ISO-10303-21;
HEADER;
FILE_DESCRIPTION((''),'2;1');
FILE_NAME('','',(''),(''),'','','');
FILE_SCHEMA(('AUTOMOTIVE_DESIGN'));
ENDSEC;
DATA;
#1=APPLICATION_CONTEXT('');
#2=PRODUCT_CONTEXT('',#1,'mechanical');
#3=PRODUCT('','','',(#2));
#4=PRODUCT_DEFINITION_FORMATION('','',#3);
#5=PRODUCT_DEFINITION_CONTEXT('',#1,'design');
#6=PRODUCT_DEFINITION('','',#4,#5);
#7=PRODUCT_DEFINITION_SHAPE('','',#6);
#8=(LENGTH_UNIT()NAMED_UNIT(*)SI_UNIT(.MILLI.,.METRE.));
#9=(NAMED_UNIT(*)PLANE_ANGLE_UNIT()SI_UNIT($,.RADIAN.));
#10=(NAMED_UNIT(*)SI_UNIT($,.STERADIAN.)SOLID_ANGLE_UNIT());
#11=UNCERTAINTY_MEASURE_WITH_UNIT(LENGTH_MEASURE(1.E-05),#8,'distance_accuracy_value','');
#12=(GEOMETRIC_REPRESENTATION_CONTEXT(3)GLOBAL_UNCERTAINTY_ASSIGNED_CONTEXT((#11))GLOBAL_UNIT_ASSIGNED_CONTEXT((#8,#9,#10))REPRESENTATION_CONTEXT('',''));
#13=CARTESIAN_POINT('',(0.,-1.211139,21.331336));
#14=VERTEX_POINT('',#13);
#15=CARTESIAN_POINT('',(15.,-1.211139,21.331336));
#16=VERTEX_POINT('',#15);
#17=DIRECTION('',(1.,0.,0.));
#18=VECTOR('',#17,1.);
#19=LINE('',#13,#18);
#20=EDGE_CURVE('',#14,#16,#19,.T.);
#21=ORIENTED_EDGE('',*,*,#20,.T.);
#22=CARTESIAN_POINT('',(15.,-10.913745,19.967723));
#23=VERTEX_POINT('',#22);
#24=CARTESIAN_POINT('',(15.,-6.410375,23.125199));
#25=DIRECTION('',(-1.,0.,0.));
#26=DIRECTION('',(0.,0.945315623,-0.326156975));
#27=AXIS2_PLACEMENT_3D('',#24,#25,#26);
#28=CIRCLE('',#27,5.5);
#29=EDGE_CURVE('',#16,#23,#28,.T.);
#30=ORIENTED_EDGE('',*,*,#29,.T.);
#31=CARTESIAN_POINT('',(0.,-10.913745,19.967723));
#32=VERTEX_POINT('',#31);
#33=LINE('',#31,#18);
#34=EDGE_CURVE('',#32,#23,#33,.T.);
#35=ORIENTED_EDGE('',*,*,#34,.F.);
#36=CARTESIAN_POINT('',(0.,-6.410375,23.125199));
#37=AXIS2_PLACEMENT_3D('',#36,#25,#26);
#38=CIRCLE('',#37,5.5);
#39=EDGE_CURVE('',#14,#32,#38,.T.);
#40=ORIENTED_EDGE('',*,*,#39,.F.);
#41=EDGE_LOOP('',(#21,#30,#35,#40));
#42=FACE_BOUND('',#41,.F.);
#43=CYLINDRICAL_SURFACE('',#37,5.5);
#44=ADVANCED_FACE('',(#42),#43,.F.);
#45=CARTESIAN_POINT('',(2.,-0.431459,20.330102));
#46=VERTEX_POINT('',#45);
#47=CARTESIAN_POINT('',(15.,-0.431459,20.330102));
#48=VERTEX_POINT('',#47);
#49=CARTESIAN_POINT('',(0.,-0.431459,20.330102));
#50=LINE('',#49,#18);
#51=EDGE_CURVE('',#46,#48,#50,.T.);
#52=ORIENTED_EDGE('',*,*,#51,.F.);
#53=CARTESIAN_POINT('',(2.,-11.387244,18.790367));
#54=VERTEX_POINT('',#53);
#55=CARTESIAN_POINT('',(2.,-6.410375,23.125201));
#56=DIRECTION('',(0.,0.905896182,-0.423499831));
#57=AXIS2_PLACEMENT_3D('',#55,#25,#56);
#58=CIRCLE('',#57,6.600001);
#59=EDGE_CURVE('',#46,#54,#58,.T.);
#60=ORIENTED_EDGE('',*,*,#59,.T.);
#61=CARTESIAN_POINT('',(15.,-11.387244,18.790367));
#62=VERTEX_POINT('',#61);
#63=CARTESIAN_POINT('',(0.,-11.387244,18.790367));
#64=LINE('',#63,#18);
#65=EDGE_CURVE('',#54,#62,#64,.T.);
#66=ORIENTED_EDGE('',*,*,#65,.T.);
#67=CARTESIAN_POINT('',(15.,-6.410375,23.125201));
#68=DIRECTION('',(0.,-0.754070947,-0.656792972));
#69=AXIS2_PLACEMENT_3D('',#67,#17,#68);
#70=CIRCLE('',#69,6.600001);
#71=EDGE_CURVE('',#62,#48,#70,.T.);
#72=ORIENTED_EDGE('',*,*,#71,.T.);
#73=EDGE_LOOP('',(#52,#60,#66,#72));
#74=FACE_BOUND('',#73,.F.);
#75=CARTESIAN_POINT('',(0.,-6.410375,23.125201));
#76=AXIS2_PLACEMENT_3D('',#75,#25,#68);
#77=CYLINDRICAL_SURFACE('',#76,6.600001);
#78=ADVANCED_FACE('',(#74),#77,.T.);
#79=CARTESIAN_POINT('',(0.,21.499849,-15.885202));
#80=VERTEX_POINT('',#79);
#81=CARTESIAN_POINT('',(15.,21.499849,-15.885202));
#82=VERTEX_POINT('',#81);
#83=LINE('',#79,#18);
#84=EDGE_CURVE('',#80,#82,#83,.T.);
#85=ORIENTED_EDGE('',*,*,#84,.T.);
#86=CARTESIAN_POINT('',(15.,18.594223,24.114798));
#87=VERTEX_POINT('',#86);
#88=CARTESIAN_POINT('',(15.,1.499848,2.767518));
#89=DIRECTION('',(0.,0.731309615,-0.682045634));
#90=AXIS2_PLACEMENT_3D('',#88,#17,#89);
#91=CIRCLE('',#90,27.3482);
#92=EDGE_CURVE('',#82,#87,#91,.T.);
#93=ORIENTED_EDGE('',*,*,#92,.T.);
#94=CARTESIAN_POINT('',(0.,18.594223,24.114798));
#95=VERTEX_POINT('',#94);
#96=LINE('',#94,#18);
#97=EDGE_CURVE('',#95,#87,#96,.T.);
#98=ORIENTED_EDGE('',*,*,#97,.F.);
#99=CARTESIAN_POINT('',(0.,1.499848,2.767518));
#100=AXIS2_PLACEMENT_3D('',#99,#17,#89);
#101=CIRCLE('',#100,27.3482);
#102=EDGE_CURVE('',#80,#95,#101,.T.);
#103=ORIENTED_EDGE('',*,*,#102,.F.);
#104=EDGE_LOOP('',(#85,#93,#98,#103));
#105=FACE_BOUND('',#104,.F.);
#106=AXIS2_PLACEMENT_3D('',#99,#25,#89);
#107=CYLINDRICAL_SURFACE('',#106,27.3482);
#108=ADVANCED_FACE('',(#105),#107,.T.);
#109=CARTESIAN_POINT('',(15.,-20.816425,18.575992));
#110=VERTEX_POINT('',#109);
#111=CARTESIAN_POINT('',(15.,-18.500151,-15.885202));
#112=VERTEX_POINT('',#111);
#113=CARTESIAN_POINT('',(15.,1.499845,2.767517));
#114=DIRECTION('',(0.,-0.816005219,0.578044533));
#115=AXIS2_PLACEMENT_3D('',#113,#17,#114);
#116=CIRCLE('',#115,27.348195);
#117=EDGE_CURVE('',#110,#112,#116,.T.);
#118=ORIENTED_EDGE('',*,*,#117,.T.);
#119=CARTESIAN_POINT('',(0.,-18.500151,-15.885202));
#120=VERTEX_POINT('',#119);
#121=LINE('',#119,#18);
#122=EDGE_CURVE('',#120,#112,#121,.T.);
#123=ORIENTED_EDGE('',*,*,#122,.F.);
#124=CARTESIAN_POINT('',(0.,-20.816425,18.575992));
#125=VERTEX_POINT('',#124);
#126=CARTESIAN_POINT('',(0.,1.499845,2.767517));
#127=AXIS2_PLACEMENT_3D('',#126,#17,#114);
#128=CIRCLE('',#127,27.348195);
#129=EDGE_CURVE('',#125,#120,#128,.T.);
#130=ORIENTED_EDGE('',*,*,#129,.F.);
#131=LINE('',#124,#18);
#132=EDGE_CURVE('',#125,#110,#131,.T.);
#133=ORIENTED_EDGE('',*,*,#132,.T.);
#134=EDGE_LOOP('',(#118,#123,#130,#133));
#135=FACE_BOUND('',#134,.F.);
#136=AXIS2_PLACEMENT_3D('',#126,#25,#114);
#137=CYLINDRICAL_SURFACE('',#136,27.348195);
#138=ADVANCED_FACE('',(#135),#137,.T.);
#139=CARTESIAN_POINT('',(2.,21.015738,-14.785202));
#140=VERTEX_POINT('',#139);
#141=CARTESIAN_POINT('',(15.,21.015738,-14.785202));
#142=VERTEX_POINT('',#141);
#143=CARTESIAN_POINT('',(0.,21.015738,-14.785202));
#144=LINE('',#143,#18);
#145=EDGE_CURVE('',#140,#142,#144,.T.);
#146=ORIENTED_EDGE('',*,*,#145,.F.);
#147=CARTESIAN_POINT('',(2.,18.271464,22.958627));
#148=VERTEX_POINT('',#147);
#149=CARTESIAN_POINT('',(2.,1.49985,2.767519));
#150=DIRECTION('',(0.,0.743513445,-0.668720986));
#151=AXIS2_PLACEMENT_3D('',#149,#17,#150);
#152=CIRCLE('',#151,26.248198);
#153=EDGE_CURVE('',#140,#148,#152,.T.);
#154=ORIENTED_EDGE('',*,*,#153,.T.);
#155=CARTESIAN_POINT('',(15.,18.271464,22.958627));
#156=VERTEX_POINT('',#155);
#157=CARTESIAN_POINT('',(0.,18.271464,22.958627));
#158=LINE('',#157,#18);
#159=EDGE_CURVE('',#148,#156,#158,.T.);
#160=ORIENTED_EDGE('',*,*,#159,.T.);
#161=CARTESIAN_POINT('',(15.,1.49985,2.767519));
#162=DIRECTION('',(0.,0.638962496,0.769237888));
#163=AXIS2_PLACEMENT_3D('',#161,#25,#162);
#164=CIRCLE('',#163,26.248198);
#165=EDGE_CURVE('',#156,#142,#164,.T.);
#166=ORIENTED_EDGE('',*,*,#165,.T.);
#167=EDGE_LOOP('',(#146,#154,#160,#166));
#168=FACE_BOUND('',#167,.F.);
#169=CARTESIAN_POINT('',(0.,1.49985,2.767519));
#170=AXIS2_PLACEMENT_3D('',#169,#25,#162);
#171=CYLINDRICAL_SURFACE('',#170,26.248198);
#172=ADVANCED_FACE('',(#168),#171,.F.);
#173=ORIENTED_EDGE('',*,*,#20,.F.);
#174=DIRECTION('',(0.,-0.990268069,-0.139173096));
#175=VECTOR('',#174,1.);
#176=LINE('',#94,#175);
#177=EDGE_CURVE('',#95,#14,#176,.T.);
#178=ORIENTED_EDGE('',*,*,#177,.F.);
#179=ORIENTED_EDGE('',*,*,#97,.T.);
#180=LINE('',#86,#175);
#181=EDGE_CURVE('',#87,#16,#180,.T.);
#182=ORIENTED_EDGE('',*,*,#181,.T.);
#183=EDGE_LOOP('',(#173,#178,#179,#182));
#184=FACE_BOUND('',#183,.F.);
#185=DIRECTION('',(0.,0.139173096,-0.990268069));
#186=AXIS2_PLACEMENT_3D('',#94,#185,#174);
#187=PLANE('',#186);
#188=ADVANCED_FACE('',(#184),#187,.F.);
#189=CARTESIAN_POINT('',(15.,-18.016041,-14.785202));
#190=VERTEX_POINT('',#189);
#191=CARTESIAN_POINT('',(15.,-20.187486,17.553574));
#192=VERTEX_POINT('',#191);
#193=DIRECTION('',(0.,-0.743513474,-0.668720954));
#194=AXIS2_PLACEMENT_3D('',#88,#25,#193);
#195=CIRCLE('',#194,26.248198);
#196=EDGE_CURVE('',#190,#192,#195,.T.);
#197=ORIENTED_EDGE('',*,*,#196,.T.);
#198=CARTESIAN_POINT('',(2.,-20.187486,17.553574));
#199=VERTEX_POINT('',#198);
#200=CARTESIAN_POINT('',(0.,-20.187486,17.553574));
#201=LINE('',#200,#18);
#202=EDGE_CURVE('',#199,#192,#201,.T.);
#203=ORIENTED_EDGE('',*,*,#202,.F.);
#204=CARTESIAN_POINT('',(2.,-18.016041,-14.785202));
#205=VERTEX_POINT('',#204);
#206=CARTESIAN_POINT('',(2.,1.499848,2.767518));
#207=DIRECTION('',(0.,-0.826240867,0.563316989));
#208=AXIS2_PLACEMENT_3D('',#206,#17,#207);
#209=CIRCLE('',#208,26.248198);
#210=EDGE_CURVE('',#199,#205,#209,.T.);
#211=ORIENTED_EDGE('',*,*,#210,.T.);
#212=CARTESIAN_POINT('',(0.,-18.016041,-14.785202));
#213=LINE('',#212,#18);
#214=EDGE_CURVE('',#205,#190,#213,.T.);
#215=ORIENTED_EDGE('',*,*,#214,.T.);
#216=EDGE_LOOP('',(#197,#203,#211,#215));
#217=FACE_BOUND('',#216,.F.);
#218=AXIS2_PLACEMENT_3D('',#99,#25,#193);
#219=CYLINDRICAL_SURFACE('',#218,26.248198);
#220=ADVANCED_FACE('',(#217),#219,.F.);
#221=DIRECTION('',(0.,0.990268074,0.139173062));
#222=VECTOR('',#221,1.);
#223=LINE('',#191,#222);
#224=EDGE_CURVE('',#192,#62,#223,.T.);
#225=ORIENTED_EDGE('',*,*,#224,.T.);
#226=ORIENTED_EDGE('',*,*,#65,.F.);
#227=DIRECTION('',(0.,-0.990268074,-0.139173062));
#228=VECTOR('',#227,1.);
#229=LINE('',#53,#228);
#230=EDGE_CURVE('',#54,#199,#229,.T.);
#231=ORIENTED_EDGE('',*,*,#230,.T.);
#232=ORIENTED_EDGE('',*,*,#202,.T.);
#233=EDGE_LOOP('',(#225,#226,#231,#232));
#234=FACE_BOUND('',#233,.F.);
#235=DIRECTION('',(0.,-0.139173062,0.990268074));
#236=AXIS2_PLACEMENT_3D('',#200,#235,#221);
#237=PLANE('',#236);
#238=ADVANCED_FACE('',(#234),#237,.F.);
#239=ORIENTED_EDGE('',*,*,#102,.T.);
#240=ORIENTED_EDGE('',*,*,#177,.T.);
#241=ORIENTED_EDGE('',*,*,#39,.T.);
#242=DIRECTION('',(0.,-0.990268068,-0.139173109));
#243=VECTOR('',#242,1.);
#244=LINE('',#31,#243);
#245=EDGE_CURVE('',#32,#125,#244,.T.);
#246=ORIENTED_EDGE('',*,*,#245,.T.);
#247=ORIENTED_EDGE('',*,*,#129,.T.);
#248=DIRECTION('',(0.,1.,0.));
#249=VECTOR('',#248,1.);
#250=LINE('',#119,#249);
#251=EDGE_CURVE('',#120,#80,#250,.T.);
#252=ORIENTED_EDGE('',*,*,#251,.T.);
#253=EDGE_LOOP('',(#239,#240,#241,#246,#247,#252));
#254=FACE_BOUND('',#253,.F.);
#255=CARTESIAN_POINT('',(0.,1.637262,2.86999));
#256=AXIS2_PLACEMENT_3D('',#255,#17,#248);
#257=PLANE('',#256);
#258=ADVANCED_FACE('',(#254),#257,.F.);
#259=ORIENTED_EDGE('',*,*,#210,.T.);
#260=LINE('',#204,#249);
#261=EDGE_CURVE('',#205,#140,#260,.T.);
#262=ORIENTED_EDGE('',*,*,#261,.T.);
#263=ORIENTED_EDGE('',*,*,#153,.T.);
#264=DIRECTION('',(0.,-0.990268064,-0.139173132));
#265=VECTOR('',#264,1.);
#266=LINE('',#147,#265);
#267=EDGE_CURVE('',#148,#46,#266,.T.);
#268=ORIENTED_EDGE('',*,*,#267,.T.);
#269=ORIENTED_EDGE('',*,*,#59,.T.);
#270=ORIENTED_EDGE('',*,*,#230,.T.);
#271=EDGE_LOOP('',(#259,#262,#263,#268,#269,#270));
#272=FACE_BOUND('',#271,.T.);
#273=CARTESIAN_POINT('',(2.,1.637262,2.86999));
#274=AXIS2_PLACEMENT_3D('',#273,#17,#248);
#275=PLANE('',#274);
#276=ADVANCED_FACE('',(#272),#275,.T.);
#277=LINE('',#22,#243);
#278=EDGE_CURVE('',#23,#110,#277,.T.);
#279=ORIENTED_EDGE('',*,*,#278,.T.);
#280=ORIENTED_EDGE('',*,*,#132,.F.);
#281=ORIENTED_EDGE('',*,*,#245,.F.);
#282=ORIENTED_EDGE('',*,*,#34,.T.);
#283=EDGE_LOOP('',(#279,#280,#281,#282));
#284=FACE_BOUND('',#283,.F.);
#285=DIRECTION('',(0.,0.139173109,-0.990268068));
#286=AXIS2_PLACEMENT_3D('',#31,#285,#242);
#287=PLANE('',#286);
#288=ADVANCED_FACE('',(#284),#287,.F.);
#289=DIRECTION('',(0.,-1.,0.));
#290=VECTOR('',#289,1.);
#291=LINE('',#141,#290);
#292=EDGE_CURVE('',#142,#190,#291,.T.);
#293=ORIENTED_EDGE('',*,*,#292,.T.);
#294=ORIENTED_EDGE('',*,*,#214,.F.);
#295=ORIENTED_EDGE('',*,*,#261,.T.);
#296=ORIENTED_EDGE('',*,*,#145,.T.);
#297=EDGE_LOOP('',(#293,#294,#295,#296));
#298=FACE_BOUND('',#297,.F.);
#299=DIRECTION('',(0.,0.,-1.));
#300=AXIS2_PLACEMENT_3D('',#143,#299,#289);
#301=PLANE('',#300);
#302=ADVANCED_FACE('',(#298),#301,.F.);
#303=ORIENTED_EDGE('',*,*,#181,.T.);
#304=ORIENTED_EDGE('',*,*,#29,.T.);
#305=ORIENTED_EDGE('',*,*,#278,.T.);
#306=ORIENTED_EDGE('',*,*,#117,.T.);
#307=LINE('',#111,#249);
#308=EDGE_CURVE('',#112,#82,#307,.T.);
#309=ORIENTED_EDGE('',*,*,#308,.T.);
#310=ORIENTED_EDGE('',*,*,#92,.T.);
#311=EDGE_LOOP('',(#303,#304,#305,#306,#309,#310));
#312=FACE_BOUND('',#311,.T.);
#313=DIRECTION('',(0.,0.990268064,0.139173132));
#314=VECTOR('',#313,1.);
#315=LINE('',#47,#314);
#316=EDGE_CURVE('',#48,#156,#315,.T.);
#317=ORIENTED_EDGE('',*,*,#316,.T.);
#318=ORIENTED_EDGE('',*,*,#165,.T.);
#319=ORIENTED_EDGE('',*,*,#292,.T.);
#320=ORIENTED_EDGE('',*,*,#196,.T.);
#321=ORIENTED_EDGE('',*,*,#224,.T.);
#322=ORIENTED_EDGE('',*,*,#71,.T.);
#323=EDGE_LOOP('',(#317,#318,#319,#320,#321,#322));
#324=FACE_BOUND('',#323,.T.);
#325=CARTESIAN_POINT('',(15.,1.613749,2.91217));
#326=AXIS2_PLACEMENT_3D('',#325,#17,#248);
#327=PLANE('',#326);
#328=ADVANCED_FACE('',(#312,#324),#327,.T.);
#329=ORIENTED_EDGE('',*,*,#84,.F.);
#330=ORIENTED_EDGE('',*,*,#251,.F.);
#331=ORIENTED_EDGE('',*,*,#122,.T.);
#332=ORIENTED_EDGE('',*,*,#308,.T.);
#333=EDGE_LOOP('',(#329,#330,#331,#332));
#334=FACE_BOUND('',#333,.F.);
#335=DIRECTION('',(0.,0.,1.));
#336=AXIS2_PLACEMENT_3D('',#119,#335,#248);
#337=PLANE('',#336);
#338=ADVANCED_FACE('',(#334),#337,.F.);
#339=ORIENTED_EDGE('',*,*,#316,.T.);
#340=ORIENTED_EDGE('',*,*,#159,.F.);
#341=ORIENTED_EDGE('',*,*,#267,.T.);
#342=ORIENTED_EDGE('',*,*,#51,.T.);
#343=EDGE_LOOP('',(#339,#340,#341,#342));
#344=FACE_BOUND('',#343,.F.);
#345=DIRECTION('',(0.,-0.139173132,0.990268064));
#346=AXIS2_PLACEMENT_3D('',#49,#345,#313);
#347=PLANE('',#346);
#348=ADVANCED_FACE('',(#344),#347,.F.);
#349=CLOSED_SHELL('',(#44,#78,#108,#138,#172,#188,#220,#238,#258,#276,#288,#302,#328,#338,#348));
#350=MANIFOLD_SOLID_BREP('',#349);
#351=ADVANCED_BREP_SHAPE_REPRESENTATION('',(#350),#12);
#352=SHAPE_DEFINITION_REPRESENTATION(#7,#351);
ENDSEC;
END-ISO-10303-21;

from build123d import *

# Parameters (mm, degrees)
F1_DEPTH = 15
F2_DEPTH = 2


with BuildPart() as f1:
    # F0 (on Right) → F1 (new body)
    with BuildSketch(Plane.YZ):
        with BuildLine():
            Line((-18.500151, -15.885202), (21.499849, -15.885202))
            ThreePointArc((21.499849, -15.885202), (28.776178, 4.748888), (18.594223, 24.114798))
            Line((18.594223, 24.114798), (-1.211139, 21.331336))
            ThreePointArc((-1.211139, 21.331336), (-5.644923, 17.678725), (-10.913745, 19.967723))
            Line((-10.913745, 19.967723), (-20.816425, 18.575992))
            ThreePointArc((-20.816425, 18.575992), (-25.786783, 0.933475), (-18.500151, -15.885202))
        make_face()
        with BuildLine():
            ThreePointArc((-18.016041, -14.785202), (-24.689377, 1.008996), (-20.187486, 17.553574))
            Line((-20.187486, 17.553574), (-11.387244, 18.790367))
            ThreePointArc((-11.387244, 18.790367), (-5.491832, 16.589431), (-0.431459, 20.330102))
            Line((-0.431459, 20.330102), (18.271464, 22.958627))
            ThreePointArc((18.271464, 22.958627), (27.678942, 4.670945), (21.015738, -14.785202))
            Line((21.015738, -14.785202), (-18.016041, -14.785202))
        make_face(mode=Mode.SUBTRACT)
    extrude(amount=F1_DEPTH)

    # F0 (on Right) → F2 (join)
    with BuildSketch(Plane.YZ):
        with BuildLine():
            Line((-11.387244, 18.790367), (-20.187486, 17.553574))
            ThreePointArc((-20.187486, 17.553574), (-24.689377, 1.008996), (-18.016041, -14.785202))
            Line((-18.016041, -14.785202), (21.015738, -14.785202))
            ThreePointArc((21.015738, -14.785202), (27.678942, 4.670945), (18.271464, 22.958627))
            Line((18.271464, 22.958627), (-0.431459, 20.330102))
            ThreePointArc((-0.431459, 20.330102), (-5.491832, 16.589431), (-11.387244, 18.790367))
        make_face()
    extrude(amount=F2_DEPTH)


solid = f1.part
